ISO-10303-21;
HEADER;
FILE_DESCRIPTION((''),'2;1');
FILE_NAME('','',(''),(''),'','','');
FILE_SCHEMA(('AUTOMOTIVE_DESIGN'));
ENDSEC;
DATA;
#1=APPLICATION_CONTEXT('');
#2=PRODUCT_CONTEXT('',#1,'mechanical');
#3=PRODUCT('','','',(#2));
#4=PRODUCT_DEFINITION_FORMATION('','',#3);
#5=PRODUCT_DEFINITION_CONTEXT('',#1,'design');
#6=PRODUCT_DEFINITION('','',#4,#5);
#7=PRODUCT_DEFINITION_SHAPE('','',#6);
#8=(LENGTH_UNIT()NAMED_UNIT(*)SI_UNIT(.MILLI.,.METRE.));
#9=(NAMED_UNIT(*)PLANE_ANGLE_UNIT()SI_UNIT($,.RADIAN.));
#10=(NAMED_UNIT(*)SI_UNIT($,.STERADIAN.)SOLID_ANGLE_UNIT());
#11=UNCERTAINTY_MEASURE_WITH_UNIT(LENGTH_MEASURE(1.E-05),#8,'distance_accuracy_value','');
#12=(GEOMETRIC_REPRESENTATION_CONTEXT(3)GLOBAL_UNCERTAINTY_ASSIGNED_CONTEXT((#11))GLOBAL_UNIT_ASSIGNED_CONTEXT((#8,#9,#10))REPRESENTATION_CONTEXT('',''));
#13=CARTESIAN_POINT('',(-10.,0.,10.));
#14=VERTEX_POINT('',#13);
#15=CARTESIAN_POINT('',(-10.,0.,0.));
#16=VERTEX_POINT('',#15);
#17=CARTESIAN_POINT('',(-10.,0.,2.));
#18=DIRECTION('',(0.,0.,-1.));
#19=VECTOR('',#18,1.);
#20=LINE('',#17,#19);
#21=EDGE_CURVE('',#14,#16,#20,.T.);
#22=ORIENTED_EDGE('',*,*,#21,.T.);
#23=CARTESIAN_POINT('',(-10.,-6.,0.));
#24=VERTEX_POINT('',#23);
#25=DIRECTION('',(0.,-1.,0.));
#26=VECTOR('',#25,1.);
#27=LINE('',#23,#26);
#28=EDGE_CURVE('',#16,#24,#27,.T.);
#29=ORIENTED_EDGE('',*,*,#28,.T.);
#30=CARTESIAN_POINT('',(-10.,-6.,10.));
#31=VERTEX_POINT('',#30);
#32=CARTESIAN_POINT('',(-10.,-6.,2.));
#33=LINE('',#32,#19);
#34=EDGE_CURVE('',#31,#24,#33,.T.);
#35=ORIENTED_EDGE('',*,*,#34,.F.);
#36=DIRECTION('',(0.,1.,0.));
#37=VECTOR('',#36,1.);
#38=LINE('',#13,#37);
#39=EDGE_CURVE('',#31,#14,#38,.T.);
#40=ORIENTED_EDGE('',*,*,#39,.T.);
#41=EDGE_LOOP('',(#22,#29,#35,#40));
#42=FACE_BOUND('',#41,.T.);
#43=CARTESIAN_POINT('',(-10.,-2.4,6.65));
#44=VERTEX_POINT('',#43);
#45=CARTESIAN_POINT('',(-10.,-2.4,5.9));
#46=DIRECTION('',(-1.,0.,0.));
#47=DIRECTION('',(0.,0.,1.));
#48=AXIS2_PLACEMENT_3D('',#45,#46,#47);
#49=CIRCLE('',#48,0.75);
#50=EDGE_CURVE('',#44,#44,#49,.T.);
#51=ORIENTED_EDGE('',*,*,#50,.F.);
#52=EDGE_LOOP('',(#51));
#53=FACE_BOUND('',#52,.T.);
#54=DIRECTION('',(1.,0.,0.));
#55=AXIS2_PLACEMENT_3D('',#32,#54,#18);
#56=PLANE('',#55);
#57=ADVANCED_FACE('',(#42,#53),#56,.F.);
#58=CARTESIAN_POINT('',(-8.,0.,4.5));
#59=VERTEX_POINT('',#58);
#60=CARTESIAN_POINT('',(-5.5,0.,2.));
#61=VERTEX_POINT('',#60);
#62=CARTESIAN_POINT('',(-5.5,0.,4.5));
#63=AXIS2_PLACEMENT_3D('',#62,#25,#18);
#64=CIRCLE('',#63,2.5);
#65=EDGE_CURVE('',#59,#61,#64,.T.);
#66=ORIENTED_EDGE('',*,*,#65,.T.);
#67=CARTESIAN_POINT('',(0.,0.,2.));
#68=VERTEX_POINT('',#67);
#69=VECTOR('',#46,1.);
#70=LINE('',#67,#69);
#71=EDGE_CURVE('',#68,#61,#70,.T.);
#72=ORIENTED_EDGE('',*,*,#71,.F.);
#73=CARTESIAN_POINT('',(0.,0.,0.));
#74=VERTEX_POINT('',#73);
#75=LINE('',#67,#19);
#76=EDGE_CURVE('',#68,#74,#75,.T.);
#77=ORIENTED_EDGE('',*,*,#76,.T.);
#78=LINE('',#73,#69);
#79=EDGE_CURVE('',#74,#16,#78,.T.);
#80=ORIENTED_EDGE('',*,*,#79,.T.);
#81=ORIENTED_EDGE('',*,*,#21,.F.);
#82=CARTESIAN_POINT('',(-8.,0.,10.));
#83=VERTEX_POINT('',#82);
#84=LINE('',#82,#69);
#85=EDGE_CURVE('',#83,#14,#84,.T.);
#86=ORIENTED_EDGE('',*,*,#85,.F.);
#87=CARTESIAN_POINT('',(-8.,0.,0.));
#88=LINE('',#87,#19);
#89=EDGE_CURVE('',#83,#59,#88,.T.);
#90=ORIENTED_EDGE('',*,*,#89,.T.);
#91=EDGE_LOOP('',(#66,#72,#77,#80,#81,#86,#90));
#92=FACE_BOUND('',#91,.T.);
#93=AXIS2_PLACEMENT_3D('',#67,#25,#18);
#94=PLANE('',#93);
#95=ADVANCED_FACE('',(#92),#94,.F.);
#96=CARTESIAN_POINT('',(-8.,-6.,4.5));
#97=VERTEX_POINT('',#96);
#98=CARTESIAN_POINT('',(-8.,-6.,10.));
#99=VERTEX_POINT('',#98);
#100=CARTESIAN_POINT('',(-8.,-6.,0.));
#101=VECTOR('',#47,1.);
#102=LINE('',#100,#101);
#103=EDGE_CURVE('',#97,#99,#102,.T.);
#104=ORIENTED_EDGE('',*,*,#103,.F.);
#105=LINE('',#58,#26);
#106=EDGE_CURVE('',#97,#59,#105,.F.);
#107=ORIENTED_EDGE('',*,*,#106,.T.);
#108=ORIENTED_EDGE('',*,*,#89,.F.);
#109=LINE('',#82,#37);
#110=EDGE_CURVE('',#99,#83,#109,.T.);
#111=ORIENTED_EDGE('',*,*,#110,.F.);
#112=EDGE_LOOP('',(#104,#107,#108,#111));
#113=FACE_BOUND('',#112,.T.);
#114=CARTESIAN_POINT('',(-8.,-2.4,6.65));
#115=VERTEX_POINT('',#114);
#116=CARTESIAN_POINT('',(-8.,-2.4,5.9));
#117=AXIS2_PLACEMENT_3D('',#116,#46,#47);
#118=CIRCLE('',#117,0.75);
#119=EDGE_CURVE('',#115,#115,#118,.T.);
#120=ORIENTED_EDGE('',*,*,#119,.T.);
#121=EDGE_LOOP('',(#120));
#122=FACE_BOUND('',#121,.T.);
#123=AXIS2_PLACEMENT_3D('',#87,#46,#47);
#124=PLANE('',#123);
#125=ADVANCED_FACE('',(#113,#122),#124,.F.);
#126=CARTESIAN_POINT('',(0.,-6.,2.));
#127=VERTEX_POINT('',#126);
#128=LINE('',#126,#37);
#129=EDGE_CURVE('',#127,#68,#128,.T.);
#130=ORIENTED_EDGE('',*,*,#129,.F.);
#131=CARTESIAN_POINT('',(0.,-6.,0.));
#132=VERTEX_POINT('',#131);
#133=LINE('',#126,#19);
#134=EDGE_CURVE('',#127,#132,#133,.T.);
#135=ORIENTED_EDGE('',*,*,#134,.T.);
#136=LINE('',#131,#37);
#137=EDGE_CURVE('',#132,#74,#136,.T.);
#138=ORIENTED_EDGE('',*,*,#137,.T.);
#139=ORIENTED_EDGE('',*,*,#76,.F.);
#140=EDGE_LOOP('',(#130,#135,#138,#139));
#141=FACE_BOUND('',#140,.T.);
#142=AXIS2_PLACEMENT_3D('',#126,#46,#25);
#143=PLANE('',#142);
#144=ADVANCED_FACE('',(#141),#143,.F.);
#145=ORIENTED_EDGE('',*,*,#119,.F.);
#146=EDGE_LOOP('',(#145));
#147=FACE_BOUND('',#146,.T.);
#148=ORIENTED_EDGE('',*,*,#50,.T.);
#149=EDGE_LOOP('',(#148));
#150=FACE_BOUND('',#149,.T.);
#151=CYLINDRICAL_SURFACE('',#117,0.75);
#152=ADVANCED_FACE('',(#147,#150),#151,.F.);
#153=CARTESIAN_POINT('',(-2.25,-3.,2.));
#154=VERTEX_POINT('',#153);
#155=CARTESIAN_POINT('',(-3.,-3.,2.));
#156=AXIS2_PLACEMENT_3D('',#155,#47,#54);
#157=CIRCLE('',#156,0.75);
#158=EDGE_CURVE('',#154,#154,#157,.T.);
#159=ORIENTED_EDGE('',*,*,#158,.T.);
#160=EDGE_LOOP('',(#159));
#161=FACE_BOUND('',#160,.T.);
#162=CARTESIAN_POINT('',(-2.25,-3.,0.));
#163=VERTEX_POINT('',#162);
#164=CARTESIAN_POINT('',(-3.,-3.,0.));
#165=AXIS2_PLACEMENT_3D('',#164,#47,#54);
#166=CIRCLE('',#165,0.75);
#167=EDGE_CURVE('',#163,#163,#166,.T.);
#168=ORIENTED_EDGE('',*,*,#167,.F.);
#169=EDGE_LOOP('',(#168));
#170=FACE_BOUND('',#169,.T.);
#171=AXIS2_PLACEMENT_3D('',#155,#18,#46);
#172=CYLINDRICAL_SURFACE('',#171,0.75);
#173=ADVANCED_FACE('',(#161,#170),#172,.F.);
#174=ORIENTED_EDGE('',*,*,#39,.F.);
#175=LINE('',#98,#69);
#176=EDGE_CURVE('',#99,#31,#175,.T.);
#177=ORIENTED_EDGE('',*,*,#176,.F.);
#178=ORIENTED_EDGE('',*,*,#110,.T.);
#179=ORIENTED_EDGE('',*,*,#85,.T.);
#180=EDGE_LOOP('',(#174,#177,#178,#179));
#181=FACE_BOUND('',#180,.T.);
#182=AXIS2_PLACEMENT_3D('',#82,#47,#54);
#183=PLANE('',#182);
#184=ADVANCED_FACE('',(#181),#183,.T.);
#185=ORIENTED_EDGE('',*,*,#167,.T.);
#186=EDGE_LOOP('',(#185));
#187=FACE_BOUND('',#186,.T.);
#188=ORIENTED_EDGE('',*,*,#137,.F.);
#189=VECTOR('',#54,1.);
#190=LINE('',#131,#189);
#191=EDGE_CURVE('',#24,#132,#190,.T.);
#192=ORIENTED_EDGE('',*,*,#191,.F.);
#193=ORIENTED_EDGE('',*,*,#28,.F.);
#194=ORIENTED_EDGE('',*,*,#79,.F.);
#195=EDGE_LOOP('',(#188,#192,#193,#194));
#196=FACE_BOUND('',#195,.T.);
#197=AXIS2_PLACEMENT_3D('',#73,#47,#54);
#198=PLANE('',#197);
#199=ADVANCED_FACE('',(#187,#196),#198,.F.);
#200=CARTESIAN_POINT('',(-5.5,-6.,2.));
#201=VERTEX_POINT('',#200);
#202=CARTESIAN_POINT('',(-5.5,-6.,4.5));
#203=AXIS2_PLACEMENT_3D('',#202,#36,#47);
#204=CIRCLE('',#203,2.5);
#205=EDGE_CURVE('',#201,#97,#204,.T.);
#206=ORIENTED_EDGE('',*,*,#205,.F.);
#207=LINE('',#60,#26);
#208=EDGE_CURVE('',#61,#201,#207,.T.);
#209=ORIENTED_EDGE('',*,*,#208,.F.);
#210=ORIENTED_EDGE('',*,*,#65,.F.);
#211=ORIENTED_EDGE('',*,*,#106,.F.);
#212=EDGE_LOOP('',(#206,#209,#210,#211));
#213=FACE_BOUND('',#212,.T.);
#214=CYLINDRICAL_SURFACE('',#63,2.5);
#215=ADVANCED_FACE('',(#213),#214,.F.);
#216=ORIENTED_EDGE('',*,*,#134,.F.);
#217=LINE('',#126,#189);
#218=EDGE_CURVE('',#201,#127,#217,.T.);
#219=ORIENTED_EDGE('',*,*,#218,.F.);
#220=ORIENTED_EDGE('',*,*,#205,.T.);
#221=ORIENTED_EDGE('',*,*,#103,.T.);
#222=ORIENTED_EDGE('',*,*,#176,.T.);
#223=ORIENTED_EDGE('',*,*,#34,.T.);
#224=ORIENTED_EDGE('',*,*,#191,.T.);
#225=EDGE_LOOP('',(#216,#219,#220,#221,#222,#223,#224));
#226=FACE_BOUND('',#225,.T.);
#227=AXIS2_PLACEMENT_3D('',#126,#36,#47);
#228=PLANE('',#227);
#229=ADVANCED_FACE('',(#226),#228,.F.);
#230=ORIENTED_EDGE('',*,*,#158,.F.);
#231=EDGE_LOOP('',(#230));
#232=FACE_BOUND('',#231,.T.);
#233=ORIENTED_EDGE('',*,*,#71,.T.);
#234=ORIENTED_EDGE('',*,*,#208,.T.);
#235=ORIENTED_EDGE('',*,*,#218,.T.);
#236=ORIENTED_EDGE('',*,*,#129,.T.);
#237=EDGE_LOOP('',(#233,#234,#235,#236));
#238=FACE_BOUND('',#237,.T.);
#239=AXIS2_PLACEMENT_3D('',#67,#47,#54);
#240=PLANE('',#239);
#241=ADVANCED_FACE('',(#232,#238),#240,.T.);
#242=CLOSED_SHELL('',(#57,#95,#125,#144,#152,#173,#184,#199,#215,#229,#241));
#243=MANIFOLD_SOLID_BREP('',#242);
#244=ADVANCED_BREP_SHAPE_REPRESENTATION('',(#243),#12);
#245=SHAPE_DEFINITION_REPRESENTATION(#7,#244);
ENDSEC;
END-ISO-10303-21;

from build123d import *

# Parameters (mm, degrees)
SKETCH1_W           = 10
SKETCH1_H           = 6
SKETCH1_R           = 0.75
BOSS_EXTRUDE1_DEPTH = 2
SKETCH2_W           = 10
SKETCH2_H           = 6
SKETCH2_R           = 0.75
BOSS_EXTRUDE2_DEPTH = 2
FILLET2_R           = 2.5


with BuildPart() as part:
    # Sketch1 → Boss-Extrude1 (new body)
    with BuildSketch(Plane.XY):
        with Locations((-5, -3)):
            Rectangle(SKETCH1_W, SKETCH1_H)
        with Locations((-3, -3)):
            Circle(SKETCH1_R, mode=Mode.SUBTRACT)
    extrude(amount=BOSS_EXTRUDE1_DEPTH)

    # Sketch2 → Boss-Extrude2 (add)
    with BuildSketch(Plane.ZY.offset(10)):
        with Locations((5, -3)):
            Rectangle(SKETCH2_W, SKETCH2_H)
        with Locations((5.9, -2.4)):
            Circle(SKETCH2_R, mode=Mode.SUBTRACT)
    extrude(amount=-BOSS_EXTRUDE2_DEPTH)

    # Fillet2
    fillet2_edges = [part.edges().sort_by_distance(p)[0] for p in [
        (-8, -3, 2),
    ]]
    fillet(fillet2_edges, radius=FILLET2_R)


solid = part.part
